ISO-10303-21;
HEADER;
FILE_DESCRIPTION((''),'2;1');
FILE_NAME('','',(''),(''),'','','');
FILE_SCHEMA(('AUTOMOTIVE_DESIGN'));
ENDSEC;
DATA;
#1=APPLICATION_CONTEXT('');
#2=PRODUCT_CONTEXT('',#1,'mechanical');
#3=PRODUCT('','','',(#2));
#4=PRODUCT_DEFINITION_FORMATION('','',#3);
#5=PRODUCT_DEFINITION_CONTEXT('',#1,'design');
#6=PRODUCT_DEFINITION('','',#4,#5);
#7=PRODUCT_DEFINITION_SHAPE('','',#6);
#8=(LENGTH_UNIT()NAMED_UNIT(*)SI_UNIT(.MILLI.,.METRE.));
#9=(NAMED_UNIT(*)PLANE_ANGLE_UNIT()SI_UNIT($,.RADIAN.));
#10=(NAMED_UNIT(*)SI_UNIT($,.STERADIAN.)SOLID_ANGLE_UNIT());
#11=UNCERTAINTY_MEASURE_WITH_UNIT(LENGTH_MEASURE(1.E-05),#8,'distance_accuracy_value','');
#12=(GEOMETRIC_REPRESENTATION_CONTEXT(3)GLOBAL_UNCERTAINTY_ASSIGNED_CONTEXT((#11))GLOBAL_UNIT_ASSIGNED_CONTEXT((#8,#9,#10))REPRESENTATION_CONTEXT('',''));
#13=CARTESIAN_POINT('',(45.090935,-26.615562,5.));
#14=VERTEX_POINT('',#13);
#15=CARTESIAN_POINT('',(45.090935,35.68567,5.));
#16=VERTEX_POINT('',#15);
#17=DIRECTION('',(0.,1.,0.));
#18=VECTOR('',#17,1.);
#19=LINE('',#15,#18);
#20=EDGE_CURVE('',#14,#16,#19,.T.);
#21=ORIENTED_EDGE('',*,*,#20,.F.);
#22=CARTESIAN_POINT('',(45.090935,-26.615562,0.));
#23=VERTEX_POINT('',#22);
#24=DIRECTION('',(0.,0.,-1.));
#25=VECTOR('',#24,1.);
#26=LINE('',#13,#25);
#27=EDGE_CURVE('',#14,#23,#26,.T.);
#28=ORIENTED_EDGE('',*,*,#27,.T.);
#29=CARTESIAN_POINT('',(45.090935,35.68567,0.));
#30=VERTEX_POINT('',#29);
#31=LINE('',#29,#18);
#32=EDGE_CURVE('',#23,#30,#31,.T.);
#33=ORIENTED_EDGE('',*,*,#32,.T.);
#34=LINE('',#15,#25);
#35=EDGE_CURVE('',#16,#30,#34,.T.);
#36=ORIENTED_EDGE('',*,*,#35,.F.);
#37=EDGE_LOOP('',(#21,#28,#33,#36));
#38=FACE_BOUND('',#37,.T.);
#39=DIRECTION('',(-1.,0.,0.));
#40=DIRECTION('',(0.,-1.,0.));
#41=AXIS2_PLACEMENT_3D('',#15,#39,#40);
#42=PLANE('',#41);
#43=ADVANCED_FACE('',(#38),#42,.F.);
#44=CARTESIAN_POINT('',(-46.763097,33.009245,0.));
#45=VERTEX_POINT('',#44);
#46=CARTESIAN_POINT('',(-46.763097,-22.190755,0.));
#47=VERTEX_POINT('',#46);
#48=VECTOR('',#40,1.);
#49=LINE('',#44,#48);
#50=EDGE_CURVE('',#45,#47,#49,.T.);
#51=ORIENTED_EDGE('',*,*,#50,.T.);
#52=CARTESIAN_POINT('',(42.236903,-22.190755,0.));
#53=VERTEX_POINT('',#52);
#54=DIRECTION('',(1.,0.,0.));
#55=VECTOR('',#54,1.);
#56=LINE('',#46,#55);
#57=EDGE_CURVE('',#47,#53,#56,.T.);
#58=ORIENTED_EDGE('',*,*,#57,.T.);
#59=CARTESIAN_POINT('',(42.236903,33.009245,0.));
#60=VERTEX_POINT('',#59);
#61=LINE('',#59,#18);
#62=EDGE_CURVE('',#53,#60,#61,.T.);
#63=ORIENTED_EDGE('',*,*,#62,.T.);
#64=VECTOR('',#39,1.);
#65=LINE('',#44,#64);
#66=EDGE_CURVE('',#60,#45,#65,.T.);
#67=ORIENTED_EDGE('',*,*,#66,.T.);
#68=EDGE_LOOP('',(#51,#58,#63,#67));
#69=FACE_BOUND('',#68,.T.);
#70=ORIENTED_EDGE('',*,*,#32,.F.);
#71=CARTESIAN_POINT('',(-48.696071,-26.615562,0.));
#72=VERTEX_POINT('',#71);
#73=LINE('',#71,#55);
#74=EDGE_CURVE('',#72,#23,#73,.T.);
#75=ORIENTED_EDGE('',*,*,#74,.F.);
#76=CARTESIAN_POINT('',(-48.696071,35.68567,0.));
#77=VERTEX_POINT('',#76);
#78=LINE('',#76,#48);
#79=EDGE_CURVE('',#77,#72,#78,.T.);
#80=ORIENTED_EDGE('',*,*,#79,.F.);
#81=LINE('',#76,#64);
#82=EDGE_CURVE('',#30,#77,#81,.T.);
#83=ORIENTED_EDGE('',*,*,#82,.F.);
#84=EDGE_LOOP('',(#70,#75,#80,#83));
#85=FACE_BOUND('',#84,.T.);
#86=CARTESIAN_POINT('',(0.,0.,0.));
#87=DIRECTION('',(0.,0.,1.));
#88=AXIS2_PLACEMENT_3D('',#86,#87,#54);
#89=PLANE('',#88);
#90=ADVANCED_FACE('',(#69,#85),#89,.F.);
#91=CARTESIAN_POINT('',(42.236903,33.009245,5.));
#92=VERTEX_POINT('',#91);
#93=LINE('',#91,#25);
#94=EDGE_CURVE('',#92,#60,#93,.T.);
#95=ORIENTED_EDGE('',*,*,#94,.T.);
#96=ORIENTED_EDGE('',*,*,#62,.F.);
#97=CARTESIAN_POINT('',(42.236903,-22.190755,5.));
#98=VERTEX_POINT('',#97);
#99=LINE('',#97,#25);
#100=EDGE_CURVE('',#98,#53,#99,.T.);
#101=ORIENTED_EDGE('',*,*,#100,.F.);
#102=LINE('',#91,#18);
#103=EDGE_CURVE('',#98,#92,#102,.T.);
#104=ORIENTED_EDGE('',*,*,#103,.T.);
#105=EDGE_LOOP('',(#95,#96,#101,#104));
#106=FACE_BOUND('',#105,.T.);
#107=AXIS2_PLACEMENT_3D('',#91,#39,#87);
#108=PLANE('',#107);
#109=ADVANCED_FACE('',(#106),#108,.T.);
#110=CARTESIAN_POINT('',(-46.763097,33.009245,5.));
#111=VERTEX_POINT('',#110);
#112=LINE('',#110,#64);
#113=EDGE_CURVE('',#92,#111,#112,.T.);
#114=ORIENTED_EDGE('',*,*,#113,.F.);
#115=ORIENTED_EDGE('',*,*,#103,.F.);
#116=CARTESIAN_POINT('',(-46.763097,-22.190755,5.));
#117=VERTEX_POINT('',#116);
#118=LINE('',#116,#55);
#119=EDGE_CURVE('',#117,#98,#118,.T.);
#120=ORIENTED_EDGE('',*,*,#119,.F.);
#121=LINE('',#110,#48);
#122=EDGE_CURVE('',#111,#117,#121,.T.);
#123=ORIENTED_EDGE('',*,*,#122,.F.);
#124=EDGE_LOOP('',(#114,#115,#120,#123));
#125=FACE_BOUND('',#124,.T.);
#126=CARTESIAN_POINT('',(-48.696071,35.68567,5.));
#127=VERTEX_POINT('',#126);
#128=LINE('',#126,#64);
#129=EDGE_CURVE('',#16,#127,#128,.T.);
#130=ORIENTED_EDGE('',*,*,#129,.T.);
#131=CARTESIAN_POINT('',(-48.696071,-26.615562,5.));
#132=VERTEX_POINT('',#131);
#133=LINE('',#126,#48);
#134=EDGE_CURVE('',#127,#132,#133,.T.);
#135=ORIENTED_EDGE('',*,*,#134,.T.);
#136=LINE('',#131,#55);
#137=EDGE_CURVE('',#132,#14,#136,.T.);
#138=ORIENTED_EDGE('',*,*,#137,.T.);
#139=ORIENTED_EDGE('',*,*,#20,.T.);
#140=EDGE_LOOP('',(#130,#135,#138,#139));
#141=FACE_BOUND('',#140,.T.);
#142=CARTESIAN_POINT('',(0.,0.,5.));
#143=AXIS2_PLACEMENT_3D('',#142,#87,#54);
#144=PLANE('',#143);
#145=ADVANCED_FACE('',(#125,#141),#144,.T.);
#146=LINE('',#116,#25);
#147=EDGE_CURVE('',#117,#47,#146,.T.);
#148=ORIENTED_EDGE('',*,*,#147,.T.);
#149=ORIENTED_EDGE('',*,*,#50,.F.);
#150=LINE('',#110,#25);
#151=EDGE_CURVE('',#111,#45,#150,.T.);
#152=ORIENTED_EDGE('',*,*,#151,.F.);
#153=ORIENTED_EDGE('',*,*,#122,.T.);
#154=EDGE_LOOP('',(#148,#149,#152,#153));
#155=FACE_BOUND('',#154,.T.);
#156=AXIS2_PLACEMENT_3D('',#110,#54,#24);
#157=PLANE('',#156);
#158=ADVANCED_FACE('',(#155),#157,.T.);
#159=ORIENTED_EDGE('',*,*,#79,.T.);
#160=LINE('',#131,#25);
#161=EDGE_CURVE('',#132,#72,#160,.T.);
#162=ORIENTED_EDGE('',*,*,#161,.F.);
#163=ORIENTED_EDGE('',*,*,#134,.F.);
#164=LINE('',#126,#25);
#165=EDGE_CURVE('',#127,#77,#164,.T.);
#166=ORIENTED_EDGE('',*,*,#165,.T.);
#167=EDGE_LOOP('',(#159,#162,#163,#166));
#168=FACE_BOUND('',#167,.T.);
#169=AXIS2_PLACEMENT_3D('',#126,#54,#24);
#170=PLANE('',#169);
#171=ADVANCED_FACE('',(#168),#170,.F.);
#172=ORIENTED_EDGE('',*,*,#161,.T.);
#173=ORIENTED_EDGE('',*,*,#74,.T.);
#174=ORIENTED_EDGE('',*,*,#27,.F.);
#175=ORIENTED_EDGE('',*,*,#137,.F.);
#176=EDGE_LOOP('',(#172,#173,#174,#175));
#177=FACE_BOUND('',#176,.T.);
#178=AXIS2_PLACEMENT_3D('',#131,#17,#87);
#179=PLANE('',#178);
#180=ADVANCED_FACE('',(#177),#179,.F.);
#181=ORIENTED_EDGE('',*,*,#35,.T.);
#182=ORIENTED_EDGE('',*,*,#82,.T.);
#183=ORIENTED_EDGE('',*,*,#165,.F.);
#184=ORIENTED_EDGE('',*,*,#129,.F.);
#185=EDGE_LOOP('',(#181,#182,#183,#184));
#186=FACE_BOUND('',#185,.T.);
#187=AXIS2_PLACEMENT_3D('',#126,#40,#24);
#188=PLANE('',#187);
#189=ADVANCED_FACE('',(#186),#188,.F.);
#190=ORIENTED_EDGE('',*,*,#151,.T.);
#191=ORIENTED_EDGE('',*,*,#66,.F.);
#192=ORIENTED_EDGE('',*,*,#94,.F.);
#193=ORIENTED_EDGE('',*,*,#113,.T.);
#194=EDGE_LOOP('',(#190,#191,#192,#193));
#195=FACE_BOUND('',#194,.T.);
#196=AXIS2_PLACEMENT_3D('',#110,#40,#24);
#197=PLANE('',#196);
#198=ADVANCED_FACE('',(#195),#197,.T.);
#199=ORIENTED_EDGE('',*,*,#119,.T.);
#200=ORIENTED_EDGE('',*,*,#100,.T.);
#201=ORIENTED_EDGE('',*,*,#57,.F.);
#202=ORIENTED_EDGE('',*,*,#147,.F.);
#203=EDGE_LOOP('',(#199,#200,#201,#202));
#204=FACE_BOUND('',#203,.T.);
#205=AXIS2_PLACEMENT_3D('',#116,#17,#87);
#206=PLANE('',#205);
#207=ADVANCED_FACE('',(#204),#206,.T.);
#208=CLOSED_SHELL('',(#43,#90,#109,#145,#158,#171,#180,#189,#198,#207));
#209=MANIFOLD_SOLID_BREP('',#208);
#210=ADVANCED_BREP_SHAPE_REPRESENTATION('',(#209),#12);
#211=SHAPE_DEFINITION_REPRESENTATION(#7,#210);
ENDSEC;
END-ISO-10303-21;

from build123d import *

# Parameters (mm, degrees)
SKETCH2_W           = 93.787005881
SKETCH2_H           = 62.301232666
SKETCH2_W_2         = 89
SKETCH2_H_2         = 55.2
BOSS_EXTRUDE1_DEPTH = 5


with BuildPart() as part:
    # Sketch2 → Boss-Extrude1 (new body)
    with BuildSketch(Plane.XY):
        with Locations((-1.802567937, 4.535053929)):
            Rectangle(SKETCH2_W, SKETCH2_H)
        with Locations((-2.263097072, 5.409244992)):
            Rectangle(SKETCH2_W_2, SKETCH2_H_2, mode=Mode.SUBTRACT)
    extrude(amount=BOSS_EXTRUDE1_DEPTH)


solid = part.part
